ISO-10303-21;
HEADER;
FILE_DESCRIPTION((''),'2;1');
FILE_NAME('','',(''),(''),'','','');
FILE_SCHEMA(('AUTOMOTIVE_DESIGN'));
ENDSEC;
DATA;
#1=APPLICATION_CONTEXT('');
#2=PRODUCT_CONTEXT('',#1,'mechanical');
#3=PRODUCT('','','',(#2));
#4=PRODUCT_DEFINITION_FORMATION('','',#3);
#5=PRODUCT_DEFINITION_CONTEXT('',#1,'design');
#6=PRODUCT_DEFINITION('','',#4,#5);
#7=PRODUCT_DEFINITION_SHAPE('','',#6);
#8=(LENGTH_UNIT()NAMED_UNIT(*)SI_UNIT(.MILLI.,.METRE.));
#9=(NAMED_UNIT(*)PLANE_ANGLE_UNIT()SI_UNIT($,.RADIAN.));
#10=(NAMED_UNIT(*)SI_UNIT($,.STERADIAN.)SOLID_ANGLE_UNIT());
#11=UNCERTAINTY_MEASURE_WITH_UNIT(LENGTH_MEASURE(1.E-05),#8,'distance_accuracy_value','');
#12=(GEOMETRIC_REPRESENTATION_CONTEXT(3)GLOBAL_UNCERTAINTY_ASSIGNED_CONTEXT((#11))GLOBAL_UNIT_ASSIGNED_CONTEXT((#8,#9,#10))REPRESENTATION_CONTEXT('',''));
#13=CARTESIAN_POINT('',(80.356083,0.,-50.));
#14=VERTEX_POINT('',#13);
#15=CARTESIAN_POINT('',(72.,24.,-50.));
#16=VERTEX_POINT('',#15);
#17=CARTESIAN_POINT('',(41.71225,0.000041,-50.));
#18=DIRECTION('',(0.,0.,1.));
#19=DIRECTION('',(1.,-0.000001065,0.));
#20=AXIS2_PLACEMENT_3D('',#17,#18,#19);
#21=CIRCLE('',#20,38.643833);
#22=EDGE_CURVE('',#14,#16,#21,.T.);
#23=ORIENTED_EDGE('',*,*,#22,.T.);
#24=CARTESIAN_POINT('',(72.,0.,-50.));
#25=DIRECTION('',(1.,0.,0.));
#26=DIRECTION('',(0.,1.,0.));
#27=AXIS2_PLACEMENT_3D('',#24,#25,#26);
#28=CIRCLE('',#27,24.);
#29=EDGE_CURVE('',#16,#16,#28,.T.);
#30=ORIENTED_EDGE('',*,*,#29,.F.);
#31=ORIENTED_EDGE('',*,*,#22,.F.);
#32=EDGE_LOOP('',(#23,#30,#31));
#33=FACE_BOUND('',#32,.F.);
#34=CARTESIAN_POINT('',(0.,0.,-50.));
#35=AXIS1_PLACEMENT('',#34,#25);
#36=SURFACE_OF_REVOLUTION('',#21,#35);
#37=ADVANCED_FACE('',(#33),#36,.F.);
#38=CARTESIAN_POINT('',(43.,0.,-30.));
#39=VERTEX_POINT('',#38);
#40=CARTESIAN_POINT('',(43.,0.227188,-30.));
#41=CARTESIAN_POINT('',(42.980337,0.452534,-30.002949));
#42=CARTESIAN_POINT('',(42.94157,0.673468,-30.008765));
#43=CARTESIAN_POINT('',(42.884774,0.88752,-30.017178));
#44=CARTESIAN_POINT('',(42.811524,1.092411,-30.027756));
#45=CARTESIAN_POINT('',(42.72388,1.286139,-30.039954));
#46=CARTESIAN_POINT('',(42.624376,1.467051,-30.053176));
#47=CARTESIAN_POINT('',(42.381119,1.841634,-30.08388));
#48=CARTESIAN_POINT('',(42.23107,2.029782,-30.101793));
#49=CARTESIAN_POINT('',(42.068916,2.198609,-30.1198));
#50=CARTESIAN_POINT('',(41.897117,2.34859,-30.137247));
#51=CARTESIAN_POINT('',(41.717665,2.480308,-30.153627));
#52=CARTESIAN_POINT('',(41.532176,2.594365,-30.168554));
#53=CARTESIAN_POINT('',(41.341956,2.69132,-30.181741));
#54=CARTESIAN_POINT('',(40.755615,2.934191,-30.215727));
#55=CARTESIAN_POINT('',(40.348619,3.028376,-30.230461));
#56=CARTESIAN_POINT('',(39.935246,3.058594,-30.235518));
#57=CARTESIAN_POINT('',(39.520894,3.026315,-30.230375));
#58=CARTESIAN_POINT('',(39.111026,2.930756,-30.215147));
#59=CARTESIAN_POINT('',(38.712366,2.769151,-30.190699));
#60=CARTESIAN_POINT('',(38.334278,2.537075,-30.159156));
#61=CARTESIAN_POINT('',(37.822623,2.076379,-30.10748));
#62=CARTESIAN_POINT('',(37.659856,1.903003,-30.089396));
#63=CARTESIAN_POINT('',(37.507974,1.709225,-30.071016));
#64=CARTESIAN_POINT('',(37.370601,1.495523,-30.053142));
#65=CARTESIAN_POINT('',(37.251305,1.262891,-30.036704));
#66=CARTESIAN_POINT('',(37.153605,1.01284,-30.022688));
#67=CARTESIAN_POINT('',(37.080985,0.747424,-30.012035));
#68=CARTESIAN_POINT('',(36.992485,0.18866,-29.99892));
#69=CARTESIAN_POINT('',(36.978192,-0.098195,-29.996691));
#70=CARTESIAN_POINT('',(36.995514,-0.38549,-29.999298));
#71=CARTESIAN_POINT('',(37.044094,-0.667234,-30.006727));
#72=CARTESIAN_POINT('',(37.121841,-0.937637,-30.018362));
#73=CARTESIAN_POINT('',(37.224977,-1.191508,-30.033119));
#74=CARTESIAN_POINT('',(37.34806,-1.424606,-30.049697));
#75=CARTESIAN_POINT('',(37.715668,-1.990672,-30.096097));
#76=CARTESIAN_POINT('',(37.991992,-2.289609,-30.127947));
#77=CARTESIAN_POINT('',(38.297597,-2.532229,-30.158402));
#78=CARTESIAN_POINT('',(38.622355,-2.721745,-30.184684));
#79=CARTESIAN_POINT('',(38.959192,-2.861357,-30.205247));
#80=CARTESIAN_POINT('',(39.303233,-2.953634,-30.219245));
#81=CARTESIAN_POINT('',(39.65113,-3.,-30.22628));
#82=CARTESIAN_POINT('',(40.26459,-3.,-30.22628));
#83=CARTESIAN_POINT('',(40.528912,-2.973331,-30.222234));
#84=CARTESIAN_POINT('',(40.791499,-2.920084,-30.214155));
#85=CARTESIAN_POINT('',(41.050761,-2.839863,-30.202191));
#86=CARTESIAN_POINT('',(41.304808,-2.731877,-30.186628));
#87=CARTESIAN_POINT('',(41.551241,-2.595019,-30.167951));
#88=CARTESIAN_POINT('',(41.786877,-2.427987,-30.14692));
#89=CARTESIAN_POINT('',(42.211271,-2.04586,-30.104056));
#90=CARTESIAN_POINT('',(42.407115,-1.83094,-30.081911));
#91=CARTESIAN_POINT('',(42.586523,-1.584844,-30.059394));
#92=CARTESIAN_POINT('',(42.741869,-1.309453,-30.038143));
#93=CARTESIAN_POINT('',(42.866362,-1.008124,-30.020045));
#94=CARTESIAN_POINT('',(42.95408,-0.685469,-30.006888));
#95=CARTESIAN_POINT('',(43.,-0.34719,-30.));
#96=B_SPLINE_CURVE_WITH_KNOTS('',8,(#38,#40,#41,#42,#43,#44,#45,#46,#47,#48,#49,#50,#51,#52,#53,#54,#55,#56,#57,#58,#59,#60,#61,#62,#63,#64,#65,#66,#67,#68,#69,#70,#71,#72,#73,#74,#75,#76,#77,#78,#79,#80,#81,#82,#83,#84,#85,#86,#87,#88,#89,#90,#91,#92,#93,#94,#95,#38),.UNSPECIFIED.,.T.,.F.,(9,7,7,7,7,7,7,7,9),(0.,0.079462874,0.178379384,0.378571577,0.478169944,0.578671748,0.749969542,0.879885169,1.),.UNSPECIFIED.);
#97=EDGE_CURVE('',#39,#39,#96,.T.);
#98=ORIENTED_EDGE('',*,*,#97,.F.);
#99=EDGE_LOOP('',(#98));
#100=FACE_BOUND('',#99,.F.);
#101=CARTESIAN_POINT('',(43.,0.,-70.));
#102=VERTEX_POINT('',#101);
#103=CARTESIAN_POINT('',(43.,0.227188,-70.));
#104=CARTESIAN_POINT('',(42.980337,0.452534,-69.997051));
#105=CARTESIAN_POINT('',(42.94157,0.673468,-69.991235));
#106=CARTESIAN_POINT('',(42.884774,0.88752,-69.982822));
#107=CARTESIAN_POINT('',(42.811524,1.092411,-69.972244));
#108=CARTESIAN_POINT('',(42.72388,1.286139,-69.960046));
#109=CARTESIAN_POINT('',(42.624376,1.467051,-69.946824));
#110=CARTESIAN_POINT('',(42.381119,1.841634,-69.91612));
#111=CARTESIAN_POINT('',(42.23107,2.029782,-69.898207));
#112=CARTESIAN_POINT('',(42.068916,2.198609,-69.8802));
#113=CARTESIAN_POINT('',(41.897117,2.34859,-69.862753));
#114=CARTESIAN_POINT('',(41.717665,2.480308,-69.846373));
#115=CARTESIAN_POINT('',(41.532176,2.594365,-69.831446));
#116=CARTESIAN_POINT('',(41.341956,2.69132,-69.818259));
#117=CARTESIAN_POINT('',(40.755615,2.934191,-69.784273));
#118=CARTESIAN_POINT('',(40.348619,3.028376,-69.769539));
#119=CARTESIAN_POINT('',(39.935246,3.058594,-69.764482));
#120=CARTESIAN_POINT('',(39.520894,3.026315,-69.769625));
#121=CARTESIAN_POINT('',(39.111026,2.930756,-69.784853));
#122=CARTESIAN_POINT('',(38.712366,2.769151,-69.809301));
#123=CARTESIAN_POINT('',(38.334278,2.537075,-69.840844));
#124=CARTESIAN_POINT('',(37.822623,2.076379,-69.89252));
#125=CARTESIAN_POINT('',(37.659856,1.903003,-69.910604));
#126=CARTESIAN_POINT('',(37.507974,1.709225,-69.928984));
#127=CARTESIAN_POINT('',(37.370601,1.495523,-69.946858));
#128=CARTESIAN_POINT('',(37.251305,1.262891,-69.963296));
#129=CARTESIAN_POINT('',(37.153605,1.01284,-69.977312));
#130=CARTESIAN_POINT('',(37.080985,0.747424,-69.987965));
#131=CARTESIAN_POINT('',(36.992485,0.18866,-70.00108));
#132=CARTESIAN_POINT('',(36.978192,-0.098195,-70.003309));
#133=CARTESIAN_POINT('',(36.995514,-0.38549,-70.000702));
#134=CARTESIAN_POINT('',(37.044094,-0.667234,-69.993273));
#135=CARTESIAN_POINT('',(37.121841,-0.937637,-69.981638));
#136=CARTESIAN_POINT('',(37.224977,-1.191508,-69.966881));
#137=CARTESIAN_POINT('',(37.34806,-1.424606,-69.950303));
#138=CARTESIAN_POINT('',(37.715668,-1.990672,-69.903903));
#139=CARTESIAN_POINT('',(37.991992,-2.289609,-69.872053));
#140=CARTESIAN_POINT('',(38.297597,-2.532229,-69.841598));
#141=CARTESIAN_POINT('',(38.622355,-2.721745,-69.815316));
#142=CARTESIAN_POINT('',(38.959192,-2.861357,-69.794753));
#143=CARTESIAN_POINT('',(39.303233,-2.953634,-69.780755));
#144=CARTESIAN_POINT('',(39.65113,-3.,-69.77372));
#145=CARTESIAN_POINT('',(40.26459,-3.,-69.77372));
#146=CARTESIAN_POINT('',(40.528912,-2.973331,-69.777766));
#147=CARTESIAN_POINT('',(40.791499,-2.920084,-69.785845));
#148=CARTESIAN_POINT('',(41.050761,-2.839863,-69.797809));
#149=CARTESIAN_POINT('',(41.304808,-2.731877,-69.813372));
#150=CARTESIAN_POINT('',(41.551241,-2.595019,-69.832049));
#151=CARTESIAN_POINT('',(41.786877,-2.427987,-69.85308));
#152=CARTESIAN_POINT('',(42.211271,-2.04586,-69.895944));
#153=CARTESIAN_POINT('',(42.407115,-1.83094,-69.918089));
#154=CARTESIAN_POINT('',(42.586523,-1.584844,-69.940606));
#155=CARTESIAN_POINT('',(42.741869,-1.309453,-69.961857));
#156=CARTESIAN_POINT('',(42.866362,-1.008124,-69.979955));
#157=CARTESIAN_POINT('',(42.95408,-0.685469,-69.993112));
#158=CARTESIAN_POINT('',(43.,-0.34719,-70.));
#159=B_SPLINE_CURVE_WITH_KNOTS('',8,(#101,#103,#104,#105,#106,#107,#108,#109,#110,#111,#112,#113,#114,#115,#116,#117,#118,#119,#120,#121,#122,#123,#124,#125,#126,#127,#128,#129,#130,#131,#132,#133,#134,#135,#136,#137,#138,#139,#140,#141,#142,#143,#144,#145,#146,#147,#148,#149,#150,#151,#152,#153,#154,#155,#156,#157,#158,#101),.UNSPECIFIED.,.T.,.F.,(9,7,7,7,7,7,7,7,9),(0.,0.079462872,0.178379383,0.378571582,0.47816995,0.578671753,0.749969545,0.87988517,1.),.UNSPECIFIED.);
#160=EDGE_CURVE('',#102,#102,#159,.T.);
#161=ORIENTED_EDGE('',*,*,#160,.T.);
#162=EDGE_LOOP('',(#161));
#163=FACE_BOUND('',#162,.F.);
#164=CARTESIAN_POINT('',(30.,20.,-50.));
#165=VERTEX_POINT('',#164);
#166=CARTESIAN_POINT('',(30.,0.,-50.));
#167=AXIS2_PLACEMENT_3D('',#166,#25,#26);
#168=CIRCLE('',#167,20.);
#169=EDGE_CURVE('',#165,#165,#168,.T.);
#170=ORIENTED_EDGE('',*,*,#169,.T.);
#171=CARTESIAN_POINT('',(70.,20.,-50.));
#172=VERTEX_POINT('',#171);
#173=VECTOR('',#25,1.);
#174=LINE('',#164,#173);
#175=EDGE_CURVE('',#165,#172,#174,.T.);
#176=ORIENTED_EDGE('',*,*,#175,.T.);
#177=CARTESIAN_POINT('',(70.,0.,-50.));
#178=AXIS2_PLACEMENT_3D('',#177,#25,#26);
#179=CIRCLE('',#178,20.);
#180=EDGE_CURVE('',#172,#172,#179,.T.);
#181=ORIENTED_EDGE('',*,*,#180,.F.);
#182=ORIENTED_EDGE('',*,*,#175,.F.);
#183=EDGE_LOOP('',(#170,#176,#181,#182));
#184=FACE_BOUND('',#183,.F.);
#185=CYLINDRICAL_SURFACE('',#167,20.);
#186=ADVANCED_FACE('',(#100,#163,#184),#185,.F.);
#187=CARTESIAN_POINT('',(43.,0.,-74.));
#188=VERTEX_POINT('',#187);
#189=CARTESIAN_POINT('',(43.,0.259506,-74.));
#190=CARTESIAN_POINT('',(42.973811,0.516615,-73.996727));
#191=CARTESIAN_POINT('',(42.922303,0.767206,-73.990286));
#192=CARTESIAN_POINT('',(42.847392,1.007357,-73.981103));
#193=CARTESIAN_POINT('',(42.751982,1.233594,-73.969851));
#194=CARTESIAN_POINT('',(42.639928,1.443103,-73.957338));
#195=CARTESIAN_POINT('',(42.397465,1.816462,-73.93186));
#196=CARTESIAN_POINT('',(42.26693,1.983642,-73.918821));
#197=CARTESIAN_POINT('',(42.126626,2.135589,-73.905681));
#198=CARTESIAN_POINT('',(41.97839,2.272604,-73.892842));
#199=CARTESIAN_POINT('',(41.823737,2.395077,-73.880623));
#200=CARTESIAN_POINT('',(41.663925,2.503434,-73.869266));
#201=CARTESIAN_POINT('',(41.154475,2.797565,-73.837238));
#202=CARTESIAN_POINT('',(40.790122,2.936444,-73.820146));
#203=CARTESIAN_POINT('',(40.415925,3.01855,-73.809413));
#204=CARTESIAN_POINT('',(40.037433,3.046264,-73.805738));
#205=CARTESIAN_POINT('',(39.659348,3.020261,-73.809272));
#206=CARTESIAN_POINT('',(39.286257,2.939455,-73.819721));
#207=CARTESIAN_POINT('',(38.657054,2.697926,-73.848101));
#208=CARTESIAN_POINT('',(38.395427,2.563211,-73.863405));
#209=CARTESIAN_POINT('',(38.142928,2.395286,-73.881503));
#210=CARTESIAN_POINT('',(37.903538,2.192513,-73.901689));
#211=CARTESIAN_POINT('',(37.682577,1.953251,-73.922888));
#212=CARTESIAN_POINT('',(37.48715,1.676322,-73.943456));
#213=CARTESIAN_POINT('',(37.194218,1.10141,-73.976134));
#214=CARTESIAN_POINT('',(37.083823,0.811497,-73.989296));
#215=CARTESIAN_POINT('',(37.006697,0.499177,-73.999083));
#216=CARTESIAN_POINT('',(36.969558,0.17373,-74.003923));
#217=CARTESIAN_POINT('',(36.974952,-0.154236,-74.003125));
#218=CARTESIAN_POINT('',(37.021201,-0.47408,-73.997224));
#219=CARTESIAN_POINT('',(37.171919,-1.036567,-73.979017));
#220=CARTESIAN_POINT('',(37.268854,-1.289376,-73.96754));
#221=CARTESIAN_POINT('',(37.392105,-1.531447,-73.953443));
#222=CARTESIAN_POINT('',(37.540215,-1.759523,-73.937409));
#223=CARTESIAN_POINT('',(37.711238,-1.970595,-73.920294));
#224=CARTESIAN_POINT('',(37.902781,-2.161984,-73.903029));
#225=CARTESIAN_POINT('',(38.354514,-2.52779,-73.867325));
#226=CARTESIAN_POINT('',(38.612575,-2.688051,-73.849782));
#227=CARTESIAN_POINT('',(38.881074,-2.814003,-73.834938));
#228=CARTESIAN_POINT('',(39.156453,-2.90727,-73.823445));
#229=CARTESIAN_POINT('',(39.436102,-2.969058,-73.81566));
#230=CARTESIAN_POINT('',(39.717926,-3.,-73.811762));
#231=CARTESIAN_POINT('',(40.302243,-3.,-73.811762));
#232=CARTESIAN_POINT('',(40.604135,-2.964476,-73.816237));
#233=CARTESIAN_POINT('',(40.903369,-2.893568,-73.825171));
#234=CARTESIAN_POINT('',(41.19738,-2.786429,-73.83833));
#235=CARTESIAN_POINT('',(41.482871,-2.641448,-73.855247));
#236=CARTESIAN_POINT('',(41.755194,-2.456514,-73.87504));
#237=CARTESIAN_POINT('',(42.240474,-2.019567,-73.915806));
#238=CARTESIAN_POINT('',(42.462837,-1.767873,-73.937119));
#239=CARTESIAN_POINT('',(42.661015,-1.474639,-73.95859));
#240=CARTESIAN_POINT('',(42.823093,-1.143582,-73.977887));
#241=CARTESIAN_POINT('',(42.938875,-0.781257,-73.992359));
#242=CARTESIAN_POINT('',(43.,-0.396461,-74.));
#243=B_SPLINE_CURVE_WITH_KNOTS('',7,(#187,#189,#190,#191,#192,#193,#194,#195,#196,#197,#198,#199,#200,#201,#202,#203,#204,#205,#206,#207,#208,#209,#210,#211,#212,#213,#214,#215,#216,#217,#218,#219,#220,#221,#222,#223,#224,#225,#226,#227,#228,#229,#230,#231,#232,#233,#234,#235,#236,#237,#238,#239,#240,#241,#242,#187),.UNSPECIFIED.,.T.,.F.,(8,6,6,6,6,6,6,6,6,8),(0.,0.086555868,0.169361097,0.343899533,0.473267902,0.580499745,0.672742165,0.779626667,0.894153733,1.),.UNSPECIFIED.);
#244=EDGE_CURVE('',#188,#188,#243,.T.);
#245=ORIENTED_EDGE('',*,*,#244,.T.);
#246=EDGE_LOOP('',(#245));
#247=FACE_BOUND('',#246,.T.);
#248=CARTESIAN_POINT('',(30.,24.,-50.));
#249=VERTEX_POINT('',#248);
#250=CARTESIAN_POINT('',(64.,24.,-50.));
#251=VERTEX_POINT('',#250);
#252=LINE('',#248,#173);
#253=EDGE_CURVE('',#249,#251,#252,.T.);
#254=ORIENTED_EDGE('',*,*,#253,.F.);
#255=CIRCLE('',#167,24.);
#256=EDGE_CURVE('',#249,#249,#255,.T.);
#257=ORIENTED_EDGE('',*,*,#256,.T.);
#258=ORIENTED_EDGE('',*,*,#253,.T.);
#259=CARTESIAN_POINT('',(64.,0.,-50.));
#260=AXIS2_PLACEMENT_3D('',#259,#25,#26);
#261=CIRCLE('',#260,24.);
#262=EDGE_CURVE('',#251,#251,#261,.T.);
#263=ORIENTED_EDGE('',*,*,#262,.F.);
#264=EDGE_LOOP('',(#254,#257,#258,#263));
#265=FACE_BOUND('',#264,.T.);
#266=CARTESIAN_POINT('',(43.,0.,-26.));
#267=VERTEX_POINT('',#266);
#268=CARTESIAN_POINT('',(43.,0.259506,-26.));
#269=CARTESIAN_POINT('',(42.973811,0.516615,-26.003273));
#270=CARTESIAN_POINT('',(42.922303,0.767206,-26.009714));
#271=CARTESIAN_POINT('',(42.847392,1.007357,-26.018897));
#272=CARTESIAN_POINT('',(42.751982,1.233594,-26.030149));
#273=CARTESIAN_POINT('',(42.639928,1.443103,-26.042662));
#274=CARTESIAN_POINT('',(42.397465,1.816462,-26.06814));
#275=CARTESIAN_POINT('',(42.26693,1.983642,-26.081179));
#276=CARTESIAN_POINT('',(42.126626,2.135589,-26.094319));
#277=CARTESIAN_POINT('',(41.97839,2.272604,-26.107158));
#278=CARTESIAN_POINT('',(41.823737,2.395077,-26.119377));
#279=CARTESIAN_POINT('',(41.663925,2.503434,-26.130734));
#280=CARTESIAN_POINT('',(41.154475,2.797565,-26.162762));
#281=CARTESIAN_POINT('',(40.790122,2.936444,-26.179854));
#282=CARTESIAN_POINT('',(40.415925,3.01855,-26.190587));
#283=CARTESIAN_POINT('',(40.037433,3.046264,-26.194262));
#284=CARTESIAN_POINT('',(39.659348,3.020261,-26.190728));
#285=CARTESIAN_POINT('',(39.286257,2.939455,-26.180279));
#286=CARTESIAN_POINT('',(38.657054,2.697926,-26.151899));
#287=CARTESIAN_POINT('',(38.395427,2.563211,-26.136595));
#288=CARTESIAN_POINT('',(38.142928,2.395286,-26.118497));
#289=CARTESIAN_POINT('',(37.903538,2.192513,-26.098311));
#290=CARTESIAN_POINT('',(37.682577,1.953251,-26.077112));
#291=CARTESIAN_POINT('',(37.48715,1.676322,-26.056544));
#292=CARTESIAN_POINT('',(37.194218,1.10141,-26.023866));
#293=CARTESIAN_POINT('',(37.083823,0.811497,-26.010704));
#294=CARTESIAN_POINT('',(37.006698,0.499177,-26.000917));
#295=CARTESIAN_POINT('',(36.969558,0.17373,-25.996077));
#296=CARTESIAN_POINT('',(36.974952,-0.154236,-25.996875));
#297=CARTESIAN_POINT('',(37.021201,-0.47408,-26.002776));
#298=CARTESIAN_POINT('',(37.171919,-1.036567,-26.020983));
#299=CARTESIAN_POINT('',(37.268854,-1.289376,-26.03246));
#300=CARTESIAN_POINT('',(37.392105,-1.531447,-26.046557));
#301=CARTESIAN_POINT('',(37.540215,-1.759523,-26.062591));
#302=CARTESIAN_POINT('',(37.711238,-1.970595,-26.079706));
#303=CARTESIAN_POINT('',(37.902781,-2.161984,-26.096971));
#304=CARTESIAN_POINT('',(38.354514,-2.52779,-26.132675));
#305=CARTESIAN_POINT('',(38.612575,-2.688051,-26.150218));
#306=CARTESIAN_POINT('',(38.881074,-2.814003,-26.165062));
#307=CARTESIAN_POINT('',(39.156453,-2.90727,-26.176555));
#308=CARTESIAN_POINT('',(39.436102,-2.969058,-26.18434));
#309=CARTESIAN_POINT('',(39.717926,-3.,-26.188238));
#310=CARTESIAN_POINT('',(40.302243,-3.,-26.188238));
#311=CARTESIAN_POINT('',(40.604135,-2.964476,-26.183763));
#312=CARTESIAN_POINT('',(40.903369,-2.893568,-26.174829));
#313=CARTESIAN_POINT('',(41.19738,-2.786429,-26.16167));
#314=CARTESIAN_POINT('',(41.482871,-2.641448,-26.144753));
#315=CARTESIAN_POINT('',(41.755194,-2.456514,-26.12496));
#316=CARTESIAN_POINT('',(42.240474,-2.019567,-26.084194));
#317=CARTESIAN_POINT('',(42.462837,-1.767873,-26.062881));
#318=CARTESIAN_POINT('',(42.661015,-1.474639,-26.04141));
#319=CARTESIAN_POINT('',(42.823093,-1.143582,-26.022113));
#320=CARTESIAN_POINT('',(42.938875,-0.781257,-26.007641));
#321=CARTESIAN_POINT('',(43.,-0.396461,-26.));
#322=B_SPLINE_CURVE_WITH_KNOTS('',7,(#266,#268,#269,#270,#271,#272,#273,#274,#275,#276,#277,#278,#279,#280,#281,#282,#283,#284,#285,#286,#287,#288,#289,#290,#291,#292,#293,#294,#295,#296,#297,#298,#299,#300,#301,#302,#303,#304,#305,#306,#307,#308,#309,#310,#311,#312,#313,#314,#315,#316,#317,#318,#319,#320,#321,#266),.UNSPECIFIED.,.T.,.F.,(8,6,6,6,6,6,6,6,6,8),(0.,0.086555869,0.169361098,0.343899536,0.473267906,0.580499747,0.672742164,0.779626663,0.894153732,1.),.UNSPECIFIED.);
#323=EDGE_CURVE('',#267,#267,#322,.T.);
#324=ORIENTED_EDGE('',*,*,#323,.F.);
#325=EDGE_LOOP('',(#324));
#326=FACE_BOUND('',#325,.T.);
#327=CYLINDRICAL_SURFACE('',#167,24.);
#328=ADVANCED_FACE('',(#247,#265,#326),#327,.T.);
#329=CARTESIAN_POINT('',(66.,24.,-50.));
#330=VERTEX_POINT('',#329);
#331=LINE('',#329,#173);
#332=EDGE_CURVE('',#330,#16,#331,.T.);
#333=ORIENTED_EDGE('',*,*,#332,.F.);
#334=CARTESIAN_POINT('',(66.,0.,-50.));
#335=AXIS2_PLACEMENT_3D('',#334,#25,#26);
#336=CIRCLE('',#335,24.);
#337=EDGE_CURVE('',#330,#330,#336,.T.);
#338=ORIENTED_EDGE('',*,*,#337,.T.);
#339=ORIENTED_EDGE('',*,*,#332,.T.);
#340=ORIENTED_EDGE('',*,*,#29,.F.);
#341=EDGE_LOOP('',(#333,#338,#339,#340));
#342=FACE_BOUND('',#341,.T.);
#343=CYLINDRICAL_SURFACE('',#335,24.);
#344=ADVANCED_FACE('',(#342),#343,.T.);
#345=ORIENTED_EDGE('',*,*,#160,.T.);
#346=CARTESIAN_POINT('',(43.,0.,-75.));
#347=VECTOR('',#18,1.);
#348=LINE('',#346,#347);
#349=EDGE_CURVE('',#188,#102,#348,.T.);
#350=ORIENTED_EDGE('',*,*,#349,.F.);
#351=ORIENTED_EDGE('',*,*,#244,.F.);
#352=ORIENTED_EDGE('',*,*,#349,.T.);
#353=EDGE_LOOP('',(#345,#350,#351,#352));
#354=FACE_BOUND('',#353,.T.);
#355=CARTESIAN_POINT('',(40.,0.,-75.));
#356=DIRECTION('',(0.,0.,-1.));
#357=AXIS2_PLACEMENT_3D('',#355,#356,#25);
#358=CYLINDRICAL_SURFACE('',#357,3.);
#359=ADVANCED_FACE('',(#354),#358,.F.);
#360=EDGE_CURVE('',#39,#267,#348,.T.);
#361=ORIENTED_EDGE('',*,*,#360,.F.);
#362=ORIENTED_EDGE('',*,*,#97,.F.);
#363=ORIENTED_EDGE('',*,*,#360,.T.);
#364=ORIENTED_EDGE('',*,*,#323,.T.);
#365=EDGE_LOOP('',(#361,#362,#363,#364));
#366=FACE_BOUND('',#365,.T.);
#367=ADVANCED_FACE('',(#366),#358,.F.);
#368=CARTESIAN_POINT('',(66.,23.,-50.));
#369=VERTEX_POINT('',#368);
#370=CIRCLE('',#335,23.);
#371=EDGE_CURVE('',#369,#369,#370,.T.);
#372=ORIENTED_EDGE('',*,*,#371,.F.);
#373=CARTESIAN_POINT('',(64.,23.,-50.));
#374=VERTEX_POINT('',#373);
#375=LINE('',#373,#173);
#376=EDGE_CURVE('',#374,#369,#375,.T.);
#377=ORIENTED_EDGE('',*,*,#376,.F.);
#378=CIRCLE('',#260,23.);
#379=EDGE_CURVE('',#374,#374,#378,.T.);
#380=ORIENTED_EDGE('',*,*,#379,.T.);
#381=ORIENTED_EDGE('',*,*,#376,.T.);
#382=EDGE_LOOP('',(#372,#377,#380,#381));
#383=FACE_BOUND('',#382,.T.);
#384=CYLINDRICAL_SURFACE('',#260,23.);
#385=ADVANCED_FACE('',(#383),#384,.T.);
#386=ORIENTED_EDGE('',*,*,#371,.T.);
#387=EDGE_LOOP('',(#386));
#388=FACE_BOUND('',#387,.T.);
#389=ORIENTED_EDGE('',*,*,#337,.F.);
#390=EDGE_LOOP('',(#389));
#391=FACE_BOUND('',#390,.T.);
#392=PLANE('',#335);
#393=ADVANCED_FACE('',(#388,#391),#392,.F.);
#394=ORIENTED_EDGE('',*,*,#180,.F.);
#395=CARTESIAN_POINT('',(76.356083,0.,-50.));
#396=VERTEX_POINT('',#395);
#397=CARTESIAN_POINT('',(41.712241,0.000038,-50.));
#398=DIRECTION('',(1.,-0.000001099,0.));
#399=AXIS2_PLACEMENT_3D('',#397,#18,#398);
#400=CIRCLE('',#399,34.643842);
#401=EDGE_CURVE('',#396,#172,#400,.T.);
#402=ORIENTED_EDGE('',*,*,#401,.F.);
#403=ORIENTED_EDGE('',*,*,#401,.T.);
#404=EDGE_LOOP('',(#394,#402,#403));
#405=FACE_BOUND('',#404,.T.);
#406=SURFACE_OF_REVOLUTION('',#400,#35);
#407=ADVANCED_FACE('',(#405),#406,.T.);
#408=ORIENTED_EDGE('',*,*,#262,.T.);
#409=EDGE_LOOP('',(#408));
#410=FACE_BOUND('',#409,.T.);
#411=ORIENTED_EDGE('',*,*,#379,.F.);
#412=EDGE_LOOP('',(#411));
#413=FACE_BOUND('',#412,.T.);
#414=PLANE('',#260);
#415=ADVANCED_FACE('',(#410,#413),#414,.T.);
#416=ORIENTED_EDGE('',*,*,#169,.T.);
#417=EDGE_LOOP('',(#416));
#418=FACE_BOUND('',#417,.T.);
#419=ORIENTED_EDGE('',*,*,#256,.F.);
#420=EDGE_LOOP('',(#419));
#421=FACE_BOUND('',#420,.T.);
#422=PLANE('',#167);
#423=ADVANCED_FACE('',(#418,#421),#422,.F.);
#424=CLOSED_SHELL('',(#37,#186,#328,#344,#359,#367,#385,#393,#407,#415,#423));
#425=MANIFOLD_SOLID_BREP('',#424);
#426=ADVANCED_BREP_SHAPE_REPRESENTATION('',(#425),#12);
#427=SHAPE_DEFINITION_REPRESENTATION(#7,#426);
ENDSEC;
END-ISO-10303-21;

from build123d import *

# Parameters (mm, degrees)
CYLINDER_R     = 3
CYLINDER_DEPTH = 49


with BuildPart() as cylinder:
    # Cylinder → Cylinder (new body)
    with BuildSketch(Plane(origin=(40, 0, -75), x_dir=(1, 0, 0), z_dir=(0, 0, 1))):
        Circle(CYLINDER_R)
    extrude(amount=CYLINDER_DEPTH)


with BuildPart() as piston_hole:
    # Sketch010 → Revolution (revolve)
    with BuildSketch(Plane.XY.offset(-50)):
        with BuildLine():
            Line((30, 20), (70, 20))
            ThreePointArc((76.356083, 0), (74.728852, 10.492854), (70, 20))
            Line((80.356083, 0), (76.356083, 0))
            ThreePointArc((80.356083, 0), (78.207329, 12.706537), (72, 24))
            Line((66, 24), (72, 24))
            Line((66, 23), (66, 24))
            Line((64, 23), (66, 23))
            Line((64, 24), (64, 23))
            Line((30, 24), (64, 24))
            Line((30, 20), (30, 24))
        make_face()
    revolve(axis=Axis((0, 0, -50), (1, 0, 0)))

    # Cut: cut Cylinder
    add(cylinder.part, mode=Mode.SUBTRACT)


solid = piston_hole.part
